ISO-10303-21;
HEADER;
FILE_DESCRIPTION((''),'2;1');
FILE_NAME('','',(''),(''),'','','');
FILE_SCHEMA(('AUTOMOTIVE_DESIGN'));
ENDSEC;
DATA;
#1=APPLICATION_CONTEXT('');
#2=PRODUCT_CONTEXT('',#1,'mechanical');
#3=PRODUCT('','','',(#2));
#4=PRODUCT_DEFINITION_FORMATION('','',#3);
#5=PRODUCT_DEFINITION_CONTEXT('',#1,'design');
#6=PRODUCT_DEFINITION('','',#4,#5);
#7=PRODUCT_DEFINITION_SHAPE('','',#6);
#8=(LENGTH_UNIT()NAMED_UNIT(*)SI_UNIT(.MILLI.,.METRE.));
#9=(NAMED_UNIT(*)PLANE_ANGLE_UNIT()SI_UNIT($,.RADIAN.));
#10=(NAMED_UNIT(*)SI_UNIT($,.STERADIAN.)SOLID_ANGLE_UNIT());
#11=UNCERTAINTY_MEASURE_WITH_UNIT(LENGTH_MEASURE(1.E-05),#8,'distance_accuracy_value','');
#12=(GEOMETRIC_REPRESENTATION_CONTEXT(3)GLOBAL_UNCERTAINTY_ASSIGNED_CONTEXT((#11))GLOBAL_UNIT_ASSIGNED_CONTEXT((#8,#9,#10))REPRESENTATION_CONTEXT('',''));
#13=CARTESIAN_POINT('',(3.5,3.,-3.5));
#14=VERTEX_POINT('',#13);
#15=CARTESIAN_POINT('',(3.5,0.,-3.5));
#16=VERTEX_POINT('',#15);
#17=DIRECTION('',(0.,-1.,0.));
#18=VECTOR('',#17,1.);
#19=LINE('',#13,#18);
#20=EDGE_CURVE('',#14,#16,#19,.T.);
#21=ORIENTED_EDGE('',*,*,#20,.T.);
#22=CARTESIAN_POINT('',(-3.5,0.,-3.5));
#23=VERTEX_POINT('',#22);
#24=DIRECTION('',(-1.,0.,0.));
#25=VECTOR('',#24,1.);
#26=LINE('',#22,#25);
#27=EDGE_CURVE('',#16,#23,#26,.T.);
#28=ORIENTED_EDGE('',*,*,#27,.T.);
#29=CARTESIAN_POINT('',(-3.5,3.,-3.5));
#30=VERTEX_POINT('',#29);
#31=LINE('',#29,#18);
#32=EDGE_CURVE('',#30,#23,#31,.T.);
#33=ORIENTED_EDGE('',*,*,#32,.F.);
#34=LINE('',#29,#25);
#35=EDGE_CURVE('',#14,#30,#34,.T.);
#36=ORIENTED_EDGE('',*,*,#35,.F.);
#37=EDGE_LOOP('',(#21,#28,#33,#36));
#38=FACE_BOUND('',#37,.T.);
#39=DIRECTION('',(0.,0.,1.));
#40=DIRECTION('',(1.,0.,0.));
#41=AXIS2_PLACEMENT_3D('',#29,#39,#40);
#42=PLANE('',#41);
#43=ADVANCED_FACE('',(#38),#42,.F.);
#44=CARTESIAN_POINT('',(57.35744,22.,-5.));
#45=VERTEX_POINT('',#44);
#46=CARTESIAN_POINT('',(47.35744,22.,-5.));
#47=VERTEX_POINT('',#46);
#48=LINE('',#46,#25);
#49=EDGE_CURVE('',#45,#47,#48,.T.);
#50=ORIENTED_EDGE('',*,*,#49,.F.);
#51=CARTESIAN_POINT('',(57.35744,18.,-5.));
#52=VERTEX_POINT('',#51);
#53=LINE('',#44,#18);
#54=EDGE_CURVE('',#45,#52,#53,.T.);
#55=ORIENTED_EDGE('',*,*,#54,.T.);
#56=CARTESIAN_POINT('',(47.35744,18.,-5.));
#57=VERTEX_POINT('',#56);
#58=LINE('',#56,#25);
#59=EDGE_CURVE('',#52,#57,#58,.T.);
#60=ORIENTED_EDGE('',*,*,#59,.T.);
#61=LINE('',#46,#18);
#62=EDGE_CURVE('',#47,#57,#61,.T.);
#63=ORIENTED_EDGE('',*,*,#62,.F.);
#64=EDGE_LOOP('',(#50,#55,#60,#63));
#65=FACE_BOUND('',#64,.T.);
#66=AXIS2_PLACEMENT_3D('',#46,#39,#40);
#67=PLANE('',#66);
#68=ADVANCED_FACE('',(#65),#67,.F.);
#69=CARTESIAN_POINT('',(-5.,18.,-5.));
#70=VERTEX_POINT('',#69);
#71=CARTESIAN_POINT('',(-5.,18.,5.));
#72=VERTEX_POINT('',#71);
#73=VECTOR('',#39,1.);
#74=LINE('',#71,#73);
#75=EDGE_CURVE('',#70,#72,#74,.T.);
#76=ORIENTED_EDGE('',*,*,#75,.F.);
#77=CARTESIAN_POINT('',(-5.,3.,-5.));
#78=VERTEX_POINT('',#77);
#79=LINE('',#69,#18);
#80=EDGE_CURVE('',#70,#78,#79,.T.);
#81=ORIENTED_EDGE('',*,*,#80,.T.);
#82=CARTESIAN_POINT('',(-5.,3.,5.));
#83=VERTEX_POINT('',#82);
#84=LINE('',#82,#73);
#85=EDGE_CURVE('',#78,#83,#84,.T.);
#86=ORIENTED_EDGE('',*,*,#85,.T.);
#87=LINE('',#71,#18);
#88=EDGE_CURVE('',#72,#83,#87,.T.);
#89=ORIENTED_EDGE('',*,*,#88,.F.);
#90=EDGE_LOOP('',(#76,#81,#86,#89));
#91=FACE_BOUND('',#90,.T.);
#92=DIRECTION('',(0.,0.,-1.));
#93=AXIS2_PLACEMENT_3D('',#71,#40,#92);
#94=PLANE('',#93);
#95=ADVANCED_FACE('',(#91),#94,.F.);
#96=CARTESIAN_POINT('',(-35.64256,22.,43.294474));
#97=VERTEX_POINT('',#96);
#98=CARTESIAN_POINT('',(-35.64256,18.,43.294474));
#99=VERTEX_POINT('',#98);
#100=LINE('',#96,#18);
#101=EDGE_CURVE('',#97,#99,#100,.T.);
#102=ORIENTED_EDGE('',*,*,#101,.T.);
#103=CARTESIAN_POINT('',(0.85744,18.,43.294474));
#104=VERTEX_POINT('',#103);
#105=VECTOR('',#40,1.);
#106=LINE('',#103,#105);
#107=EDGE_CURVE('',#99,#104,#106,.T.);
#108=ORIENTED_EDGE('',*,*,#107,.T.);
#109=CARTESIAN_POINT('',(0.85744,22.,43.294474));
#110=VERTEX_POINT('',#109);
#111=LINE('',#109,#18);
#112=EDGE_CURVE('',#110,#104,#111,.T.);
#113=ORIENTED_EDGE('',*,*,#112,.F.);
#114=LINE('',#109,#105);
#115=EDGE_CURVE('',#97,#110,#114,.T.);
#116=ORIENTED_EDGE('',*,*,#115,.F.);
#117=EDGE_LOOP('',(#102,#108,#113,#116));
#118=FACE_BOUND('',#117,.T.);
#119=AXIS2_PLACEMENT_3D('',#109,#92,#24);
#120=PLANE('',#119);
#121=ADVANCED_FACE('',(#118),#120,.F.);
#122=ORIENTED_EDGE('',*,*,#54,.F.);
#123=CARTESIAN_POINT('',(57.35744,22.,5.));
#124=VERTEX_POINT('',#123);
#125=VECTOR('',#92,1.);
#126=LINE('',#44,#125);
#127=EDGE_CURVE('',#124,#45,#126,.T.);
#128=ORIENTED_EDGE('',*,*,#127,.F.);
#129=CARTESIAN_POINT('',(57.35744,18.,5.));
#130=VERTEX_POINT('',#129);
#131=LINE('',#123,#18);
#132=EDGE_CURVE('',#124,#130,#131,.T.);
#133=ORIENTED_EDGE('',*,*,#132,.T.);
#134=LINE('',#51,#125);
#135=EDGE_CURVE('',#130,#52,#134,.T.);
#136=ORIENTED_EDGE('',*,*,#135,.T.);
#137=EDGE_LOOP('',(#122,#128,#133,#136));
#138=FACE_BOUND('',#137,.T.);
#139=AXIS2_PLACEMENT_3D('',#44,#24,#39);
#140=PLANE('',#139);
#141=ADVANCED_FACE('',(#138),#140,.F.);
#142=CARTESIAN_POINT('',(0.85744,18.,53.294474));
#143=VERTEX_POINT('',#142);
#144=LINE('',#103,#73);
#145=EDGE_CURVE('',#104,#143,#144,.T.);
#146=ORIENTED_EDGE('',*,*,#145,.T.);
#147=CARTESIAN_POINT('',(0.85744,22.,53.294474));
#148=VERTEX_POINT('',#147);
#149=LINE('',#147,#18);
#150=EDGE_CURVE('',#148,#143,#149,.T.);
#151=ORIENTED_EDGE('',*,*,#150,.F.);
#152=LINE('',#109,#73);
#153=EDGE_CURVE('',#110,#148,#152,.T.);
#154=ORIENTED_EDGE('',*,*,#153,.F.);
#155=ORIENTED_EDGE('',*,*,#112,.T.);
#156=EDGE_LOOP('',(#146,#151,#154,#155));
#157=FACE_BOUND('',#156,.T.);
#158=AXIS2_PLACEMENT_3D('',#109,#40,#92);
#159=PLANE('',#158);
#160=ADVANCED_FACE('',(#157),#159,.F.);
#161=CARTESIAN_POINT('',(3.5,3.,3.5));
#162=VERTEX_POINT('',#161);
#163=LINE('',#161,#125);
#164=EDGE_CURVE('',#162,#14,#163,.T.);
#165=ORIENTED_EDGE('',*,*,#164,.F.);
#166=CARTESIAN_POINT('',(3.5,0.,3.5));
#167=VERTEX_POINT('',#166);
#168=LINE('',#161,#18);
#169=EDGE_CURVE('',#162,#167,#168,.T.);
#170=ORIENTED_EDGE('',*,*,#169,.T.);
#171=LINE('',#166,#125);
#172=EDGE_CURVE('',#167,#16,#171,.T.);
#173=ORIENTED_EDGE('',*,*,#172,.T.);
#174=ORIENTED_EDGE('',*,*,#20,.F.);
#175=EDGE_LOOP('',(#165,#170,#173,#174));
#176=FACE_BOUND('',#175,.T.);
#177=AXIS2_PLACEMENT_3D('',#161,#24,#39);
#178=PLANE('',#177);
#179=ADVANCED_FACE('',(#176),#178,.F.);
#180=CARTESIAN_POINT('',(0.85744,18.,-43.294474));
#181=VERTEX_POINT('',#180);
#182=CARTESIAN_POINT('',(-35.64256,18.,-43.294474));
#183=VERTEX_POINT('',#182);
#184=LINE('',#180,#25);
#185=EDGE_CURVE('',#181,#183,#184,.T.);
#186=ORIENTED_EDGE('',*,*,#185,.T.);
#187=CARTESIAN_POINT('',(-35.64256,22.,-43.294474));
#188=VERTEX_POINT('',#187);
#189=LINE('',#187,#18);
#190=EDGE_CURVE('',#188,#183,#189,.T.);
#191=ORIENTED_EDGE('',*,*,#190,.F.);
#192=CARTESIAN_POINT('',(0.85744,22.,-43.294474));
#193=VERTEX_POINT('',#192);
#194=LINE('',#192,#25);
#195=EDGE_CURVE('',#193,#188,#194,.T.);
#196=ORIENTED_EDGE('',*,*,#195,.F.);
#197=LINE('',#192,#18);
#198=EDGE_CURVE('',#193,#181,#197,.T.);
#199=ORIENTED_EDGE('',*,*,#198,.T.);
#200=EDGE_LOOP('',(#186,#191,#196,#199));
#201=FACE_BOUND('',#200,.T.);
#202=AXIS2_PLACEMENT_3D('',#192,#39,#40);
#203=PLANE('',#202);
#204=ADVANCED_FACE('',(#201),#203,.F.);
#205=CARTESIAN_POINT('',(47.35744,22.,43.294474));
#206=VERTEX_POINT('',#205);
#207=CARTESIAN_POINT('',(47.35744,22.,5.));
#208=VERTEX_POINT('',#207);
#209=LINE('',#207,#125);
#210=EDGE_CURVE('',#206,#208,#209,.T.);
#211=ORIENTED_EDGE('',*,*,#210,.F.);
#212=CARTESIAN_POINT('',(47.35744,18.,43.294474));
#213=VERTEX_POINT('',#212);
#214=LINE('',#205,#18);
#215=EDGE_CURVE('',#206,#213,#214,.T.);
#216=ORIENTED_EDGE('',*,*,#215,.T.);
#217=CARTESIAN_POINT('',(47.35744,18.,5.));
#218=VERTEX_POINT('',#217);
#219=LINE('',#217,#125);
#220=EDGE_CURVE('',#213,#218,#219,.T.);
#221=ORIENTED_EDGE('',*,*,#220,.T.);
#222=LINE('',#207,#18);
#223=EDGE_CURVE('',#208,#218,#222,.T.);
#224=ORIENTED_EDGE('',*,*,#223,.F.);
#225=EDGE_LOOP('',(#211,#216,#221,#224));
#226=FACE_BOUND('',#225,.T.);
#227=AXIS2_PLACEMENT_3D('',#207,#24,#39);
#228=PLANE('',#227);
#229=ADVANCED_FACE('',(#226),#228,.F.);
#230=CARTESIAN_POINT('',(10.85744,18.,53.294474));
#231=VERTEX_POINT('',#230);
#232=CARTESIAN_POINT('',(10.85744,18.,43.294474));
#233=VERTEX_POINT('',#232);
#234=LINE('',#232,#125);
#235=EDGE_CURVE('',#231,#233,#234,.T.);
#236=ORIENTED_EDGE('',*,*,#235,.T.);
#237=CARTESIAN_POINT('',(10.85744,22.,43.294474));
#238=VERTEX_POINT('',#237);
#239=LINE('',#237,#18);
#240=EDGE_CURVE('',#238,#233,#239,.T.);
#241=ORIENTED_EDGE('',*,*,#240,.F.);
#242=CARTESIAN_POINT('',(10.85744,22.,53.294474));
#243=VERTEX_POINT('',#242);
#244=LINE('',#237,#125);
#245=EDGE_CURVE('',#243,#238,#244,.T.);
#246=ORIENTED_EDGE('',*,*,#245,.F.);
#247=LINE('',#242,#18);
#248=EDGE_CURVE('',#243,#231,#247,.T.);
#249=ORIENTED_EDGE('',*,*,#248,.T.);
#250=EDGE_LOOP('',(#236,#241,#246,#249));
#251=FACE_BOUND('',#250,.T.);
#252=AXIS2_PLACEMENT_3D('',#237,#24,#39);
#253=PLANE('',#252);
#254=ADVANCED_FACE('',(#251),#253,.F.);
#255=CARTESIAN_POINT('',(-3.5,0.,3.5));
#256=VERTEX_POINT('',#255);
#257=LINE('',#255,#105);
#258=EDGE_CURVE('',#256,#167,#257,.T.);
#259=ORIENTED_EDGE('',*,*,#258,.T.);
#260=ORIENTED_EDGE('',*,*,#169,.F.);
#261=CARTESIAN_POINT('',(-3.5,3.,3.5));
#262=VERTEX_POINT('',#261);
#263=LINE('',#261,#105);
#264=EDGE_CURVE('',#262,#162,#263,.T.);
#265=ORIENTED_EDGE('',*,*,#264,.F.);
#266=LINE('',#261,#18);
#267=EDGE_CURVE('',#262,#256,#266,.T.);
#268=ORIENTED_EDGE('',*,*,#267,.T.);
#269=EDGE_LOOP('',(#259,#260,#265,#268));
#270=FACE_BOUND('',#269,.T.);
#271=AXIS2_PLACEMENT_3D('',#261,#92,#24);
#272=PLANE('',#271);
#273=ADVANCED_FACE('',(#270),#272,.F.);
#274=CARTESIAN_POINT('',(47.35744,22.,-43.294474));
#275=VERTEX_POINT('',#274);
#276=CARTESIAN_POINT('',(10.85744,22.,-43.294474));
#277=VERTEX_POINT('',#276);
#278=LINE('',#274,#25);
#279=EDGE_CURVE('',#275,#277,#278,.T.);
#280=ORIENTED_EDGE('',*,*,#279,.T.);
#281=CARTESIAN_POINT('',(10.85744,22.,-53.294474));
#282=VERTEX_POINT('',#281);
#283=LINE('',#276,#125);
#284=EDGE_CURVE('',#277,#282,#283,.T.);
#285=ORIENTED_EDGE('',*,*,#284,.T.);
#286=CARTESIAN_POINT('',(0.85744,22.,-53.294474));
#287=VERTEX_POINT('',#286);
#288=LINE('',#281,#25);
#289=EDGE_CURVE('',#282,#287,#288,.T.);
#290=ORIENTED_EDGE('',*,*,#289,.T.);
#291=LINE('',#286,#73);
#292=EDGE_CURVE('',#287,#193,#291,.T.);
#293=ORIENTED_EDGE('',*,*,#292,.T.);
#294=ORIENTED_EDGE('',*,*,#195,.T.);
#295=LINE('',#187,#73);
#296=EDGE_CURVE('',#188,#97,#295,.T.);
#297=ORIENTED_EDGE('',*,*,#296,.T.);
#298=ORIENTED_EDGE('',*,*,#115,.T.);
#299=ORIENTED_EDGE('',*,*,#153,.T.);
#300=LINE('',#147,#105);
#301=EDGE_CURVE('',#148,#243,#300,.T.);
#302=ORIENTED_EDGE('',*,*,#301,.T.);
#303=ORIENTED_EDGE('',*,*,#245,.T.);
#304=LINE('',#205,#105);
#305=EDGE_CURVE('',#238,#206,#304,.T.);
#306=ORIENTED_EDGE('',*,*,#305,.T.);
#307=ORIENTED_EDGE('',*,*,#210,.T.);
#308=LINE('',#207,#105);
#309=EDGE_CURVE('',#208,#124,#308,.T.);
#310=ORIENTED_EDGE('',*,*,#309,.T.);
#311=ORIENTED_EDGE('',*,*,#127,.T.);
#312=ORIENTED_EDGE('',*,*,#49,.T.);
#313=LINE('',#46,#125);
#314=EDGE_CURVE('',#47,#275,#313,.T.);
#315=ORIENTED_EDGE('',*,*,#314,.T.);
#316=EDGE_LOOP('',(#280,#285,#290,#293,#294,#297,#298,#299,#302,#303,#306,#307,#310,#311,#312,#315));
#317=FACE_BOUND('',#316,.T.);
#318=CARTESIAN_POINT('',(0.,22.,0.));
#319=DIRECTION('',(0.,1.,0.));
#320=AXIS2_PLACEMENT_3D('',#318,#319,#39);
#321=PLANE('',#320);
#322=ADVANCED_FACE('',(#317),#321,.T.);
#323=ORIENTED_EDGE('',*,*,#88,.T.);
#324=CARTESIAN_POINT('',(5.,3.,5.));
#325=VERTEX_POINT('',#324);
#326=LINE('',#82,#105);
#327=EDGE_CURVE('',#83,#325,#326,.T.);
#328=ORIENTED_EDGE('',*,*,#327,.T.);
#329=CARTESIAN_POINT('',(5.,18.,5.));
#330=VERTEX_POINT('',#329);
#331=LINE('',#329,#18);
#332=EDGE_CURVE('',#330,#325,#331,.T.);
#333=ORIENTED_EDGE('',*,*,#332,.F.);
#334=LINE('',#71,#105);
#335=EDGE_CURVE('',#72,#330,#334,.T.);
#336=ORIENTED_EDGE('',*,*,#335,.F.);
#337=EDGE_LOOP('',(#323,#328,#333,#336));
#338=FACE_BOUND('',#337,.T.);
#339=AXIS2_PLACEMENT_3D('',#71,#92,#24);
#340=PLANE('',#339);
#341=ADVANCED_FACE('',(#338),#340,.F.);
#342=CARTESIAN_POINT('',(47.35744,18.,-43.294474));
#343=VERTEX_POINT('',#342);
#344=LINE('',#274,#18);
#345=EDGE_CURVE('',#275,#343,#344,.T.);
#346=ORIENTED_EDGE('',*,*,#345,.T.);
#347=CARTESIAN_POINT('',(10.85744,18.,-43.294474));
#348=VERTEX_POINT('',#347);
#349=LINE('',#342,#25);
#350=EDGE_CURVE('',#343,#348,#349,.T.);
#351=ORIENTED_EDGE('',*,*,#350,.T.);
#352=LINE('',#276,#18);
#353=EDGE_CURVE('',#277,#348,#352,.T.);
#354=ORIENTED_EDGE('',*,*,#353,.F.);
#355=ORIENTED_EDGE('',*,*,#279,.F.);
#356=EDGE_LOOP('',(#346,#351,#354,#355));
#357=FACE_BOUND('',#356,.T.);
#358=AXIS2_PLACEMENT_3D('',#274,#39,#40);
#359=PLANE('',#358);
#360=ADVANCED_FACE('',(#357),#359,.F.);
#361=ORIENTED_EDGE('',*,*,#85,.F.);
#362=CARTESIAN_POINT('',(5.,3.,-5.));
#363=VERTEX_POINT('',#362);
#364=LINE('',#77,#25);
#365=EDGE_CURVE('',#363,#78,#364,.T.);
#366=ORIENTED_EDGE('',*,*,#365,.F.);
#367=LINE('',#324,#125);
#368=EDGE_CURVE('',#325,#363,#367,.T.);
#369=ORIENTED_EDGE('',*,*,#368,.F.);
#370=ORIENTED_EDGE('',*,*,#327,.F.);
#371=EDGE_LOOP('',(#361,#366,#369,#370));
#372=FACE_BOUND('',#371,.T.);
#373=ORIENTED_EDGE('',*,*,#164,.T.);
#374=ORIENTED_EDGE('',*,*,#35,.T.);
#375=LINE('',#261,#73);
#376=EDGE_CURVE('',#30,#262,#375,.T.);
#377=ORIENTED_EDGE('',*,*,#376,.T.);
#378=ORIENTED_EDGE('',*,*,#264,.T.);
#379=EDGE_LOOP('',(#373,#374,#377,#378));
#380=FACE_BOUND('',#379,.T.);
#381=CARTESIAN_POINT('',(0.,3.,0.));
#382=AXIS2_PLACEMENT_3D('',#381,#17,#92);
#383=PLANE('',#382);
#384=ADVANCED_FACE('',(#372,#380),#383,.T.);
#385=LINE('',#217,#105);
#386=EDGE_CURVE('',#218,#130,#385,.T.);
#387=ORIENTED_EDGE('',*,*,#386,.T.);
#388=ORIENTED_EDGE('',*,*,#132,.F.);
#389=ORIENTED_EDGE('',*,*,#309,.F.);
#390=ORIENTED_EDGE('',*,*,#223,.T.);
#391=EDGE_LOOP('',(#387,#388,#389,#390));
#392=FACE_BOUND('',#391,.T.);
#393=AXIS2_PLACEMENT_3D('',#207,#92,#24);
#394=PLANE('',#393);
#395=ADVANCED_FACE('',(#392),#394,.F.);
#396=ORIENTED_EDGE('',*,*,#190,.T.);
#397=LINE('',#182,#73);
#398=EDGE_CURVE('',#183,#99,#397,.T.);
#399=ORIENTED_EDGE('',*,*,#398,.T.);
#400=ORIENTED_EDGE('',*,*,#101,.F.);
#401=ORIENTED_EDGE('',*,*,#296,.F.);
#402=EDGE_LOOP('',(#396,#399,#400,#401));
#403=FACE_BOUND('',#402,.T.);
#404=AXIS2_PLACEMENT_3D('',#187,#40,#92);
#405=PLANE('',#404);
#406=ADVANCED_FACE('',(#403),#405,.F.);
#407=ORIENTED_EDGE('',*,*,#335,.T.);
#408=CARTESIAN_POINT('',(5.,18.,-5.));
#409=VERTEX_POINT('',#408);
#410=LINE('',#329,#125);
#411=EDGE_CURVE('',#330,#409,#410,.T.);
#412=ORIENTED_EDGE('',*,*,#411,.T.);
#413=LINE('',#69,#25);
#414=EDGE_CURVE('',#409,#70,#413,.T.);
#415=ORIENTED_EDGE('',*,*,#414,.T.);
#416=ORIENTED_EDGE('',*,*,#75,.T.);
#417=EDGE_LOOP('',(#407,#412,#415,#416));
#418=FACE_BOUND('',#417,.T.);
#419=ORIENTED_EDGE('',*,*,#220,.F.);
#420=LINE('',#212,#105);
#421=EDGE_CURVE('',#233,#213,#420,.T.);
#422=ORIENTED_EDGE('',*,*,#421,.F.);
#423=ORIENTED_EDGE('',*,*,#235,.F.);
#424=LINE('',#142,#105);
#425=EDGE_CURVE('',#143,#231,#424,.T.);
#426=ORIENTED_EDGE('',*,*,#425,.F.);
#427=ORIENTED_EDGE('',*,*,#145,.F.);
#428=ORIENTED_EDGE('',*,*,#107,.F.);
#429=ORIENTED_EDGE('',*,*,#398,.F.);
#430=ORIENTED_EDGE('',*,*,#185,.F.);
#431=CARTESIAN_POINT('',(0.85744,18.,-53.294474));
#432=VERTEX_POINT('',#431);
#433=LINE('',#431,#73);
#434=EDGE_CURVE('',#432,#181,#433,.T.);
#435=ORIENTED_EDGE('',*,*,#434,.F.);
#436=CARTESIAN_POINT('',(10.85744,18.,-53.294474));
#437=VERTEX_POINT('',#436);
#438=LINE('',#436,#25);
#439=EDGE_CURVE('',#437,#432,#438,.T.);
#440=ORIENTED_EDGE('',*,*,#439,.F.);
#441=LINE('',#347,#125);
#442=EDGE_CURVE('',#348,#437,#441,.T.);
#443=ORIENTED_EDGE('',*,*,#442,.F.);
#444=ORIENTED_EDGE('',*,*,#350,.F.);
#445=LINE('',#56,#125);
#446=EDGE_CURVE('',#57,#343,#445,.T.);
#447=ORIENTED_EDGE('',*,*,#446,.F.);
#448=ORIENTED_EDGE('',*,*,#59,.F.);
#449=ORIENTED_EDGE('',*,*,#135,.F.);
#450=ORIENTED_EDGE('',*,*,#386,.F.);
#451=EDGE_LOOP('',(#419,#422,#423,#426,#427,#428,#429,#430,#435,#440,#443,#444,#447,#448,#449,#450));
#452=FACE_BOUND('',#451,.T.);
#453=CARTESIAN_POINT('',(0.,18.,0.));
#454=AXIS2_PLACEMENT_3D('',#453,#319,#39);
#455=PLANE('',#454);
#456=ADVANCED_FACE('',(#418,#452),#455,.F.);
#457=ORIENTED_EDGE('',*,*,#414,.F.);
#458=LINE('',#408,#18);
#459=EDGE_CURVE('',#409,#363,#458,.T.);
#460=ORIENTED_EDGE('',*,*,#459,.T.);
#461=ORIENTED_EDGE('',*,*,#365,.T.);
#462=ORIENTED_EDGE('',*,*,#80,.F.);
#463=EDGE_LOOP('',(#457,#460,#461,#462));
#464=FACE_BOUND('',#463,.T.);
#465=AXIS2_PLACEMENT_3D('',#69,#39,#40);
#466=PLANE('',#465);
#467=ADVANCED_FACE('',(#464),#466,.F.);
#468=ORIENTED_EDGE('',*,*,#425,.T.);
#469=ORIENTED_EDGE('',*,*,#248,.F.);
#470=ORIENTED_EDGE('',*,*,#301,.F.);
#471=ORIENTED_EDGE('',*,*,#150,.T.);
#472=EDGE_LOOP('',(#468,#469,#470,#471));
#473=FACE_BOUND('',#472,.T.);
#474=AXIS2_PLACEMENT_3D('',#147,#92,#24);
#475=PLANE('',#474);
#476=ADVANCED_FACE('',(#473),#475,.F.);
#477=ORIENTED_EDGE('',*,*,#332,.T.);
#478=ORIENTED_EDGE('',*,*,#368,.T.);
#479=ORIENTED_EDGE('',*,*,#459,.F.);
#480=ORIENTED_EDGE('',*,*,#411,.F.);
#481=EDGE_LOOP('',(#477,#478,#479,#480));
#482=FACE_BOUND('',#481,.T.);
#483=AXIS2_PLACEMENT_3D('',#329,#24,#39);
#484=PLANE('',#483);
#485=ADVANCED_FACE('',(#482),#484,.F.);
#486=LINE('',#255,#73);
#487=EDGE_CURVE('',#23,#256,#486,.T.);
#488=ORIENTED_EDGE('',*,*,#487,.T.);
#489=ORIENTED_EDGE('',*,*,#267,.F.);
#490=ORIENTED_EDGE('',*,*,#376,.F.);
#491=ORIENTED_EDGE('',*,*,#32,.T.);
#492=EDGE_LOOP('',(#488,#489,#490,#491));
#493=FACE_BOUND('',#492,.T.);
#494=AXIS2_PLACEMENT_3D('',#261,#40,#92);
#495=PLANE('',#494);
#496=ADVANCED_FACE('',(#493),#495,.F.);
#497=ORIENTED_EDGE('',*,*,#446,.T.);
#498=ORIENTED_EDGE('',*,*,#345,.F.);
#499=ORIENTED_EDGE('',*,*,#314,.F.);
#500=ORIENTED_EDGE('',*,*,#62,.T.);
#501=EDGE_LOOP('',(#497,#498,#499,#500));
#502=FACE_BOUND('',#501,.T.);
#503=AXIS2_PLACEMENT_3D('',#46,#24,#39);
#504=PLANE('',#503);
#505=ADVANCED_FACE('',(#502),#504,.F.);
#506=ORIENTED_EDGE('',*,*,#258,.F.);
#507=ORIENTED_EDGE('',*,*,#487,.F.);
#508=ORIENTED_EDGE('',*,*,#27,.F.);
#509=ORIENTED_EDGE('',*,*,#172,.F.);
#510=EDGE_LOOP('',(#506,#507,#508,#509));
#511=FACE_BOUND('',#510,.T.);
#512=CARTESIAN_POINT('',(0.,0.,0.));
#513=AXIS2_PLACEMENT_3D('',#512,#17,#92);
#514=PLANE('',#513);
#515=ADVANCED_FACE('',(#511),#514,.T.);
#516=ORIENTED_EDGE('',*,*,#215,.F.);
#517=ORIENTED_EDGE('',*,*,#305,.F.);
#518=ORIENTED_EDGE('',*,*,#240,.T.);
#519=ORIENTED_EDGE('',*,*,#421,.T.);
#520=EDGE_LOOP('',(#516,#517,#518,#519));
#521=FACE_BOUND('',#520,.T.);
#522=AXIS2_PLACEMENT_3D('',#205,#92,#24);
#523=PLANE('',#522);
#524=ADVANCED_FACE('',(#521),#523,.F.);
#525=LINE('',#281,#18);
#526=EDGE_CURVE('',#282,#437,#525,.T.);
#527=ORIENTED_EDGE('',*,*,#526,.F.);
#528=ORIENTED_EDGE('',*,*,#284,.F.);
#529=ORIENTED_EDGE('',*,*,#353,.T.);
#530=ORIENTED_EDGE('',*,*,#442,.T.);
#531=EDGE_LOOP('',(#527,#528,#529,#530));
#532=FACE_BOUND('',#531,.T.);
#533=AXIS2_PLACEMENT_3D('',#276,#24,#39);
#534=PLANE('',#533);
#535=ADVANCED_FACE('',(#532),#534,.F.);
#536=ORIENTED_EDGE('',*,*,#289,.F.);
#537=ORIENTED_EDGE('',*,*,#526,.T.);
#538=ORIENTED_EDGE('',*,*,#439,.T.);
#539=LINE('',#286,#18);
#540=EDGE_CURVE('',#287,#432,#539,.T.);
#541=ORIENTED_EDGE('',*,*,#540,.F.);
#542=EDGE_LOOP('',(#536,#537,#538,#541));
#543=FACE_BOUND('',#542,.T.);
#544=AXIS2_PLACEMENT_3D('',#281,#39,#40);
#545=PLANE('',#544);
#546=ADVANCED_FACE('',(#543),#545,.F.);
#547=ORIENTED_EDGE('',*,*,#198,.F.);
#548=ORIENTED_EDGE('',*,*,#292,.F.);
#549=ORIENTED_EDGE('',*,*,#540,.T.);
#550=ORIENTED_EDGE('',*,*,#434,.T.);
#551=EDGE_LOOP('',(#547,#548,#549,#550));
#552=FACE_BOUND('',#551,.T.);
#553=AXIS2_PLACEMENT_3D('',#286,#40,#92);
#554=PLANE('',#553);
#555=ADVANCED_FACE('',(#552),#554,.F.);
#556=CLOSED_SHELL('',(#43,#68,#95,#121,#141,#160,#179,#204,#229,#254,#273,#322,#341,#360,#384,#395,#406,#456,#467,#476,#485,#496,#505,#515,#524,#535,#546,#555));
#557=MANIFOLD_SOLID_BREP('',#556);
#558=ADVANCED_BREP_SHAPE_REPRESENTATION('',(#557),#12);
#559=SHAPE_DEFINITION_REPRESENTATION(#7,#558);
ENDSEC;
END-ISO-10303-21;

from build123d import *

# Parameters (mm, degrees)
SKETCH1_W           = 7
SKETCH1_H           = 7
BOSS_EXTRUDE1_DEPTH = 3
SKETCH3_W           = 10
SKETCH3_H           = 10
BOSS_EXTRUDE2_DEPTH = 15
BOSS_EXTRUDE4_DEPTH = 4


with BuildPart() as part:
    # Sketch1 → Boss-Extrude1 (new body)
    with BuildSketch(Plane(origin=(0, 0, 0), x_dir=(1, 0, 0), z_dir=(0, 1, 0))):
        Rectangle(SKETCH1_W, SKETCH1_H)
    extrude(amount=BOSS_EXTRUDE1_DEPTH)

    # Sketch3 → Boss-Extrude2 (add)
    with BuildSketch(Plane(origin=(0, 3, 0), x_dir=(1, 0, 0), z_dir=(0, 1, 0))):
        Rectangle(SKETCH3_W, SKETCH3_H)
    extrude(amount=BOSS_EXTRUDE2_DEPTH)

    # Sketch4 → Boss-Extrude4 (add)
    with BuildSketch(Plane(origin=(0, 18, 0), x_dir=(1, 0, 0), z_dir=(0, 1, 0))):
        Polygon((10.857439738, 43.294473551), (10.857439738, 53.294473551), (0.857439738, 53.294473551), (0.857439738, 43.294473551), (-35.642560262, 43.294473551), (-35.642560262, -43.294473551), (0.857439738, -43.294473551), (0.857439738, -53.294473551), (10.857439738, -53.294473551), (10.857439738, -43.294473551), (47.357439738, -43.294473551), (47.357439738, -5), (57.357439738, -5), (57.357439738, 5), (47.357439738, 5), (47.357439738, 43.294473551), align=None)
    extrude(amount=BOSS_EXTRUDE4_DEPTH)


solid = part.part
